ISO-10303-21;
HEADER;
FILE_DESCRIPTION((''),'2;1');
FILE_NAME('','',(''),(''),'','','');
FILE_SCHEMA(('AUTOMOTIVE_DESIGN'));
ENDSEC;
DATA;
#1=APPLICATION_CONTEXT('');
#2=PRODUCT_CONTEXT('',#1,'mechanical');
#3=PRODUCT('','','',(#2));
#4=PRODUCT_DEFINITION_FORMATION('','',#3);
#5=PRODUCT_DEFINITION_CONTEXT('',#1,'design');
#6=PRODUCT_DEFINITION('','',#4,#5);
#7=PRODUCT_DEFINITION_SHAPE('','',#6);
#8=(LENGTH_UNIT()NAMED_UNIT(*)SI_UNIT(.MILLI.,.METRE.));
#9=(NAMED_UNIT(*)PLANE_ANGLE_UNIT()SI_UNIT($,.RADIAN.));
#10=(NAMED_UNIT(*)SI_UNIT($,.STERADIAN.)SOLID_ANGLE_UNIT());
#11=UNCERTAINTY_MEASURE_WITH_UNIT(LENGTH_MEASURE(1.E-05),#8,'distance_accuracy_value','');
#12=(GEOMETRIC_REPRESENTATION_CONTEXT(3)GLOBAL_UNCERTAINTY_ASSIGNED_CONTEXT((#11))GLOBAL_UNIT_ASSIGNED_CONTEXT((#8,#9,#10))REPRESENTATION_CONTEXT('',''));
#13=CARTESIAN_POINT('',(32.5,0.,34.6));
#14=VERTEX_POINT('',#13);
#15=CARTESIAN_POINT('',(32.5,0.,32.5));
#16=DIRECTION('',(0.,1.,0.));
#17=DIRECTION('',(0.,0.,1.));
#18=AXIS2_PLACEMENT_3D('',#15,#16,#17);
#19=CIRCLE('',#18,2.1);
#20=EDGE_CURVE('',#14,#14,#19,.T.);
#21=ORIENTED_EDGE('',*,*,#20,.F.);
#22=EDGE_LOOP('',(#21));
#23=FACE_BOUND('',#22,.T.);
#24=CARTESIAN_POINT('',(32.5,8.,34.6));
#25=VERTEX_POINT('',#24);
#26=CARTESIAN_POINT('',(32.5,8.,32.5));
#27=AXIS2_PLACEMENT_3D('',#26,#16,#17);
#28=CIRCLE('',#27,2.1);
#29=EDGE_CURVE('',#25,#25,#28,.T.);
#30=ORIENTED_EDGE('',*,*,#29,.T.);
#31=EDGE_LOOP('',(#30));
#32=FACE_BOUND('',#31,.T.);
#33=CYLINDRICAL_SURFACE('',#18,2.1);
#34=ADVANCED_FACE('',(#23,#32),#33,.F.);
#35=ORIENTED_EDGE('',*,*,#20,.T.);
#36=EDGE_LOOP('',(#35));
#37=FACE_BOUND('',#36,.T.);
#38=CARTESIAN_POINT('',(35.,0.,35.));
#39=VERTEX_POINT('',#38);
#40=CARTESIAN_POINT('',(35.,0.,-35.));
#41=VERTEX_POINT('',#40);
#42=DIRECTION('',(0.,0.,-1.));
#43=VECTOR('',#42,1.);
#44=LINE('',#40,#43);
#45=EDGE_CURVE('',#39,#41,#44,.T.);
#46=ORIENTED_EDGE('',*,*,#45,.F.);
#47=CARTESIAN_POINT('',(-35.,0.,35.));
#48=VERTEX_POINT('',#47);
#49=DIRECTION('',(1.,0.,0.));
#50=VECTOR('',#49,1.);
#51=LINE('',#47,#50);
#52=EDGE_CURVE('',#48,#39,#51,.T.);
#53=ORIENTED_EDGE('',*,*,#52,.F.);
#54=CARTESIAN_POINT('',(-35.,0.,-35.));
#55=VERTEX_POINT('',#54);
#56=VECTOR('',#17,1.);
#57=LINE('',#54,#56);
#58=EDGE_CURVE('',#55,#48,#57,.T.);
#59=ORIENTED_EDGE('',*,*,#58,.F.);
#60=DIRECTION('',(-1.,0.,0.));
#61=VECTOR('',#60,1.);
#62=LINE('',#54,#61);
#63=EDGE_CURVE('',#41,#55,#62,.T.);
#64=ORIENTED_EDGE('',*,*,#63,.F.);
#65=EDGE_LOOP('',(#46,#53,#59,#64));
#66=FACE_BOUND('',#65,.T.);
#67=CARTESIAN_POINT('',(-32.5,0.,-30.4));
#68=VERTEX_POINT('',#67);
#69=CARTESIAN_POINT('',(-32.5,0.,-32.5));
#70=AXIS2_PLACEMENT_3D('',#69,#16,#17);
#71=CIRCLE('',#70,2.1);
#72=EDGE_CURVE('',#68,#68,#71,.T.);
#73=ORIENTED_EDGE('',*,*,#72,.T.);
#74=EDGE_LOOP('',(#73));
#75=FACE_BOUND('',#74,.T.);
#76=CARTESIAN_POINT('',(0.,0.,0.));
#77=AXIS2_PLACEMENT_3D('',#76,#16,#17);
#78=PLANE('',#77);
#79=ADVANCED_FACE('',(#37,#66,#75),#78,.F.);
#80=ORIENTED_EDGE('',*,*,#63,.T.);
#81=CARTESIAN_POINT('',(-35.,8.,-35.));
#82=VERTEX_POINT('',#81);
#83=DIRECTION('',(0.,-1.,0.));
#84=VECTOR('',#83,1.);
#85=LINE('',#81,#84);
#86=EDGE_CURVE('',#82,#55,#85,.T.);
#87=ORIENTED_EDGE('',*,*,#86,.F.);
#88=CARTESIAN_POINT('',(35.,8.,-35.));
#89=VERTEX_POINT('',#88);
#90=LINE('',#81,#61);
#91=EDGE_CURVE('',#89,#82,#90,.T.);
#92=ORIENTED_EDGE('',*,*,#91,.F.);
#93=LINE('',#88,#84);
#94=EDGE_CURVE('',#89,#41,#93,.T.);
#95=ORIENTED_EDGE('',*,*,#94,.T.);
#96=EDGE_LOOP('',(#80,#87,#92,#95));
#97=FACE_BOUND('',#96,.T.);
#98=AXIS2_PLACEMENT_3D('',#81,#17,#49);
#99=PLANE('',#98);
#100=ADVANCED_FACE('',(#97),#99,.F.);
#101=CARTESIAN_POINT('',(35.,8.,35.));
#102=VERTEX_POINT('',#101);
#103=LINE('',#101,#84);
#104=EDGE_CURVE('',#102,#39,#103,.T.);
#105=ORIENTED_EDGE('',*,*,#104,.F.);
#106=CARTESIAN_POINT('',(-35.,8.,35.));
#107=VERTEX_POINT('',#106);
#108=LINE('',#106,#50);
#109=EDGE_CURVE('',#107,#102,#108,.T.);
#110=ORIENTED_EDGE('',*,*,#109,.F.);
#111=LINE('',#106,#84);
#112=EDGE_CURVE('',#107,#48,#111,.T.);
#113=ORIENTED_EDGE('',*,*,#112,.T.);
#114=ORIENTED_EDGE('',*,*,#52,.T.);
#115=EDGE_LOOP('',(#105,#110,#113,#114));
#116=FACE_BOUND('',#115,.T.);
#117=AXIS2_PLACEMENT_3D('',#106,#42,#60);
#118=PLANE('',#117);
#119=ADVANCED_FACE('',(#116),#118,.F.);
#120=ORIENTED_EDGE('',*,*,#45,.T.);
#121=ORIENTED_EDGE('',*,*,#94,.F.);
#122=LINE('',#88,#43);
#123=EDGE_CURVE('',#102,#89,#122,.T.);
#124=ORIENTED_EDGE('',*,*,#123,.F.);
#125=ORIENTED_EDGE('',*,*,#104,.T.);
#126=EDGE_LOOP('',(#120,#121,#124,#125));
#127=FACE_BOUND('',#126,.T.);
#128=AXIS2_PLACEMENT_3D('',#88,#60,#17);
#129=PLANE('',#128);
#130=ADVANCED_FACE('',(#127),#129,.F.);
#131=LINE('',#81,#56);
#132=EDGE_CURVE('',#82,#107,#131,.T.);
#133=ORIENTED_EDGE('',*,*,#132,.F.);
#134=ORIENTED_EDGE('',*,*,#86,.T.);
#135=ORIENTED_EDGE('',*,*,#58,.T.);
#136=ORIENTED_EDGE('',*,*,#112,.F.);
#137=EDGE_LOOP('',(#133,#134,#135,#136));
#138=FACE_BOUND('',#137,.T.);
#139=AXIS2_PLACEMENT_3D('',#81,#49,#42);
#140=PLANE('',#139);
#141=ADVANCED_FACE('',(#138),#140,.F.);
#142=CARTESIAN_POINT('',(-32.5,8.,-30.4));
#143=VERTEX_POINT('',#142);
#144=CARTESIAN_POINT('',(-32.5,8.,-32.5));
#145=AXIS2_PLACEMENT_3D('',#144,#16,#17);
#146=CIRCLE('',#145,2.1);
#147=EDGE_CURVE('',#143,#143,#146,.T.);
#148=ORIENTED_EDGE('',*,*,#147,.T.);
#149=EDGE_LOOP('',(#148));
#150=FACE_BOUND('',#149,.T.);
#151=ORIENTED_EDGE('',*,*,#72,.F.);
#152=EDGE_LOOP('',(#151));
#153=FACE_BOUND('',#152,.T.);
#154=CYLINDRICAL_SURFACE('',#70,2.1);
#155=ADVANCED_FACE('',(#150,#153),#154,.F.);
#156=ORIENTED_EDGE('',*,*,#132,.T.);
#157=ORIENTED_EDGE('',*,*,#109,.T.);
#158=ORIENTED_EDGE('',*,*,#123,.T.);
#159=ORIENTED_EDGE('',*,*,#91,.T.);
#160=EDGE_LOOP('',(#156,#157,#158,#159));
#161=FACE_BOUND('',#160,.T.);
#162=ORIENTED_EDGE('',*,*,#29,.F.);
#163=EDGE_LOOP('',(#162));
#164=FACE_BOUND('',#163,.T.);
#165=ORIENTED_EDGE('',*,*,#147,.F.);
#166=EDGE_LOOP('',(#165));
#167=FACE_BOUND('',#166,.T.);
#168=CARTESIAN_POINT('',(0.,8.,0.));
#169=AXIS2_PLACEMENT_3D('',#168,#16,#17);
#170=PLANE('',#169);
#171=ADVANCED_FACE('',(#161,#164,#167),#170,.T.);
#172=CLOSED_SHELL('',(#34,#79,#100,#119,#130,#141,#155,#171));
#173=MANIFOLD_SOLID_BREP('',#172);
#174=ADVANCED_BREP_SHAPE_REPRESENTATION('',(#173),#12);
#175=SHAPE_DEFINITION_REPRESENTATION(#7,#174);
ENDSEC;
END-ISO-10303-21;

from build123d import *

# Parameters (mm, degrees)
SKETCH_1_W          = 70
SKETCH_1_H          = 70
EXTRUDE_1_DEPTH     = 8
SKETCH_2_R          = 2.1
CUT_EXTRUDE_1_DEPTH = 8


with BuildPart() as part:
    # 草图1 → 凸台-拉伸1 (new body)
    with BuildSketch(Plane(origin=(0, 0, 0), x_dir=(1, 0, 0), z_dir=(0, 1, 0))):
        Rectangle(SKETCH_1_W, SKETCH_1_H)
    extrude(amount=EXTRUDE_1_DEPTH)

    # 草图2 → 切除-拉伸1 (cut)
    with BuildSketch(Plane(origin=(0, 8, 0), x_dir=(1, 0, 0), z_dir=(0, 1, 0))):
        with Locations(Location((-32.5, 32.5, 0), (0, 0, 270))):
            Circle(SKETCH_2_R)
        with Locations(Location((32.5, -32.5, 0), (0, 0, 270))):
            Circle(SKETCH_2_R)
    extrude(amount=-CUT_EXTRUDE_1_DEPTH, mode=Mode.SUBTRACT)


solid = part.part
